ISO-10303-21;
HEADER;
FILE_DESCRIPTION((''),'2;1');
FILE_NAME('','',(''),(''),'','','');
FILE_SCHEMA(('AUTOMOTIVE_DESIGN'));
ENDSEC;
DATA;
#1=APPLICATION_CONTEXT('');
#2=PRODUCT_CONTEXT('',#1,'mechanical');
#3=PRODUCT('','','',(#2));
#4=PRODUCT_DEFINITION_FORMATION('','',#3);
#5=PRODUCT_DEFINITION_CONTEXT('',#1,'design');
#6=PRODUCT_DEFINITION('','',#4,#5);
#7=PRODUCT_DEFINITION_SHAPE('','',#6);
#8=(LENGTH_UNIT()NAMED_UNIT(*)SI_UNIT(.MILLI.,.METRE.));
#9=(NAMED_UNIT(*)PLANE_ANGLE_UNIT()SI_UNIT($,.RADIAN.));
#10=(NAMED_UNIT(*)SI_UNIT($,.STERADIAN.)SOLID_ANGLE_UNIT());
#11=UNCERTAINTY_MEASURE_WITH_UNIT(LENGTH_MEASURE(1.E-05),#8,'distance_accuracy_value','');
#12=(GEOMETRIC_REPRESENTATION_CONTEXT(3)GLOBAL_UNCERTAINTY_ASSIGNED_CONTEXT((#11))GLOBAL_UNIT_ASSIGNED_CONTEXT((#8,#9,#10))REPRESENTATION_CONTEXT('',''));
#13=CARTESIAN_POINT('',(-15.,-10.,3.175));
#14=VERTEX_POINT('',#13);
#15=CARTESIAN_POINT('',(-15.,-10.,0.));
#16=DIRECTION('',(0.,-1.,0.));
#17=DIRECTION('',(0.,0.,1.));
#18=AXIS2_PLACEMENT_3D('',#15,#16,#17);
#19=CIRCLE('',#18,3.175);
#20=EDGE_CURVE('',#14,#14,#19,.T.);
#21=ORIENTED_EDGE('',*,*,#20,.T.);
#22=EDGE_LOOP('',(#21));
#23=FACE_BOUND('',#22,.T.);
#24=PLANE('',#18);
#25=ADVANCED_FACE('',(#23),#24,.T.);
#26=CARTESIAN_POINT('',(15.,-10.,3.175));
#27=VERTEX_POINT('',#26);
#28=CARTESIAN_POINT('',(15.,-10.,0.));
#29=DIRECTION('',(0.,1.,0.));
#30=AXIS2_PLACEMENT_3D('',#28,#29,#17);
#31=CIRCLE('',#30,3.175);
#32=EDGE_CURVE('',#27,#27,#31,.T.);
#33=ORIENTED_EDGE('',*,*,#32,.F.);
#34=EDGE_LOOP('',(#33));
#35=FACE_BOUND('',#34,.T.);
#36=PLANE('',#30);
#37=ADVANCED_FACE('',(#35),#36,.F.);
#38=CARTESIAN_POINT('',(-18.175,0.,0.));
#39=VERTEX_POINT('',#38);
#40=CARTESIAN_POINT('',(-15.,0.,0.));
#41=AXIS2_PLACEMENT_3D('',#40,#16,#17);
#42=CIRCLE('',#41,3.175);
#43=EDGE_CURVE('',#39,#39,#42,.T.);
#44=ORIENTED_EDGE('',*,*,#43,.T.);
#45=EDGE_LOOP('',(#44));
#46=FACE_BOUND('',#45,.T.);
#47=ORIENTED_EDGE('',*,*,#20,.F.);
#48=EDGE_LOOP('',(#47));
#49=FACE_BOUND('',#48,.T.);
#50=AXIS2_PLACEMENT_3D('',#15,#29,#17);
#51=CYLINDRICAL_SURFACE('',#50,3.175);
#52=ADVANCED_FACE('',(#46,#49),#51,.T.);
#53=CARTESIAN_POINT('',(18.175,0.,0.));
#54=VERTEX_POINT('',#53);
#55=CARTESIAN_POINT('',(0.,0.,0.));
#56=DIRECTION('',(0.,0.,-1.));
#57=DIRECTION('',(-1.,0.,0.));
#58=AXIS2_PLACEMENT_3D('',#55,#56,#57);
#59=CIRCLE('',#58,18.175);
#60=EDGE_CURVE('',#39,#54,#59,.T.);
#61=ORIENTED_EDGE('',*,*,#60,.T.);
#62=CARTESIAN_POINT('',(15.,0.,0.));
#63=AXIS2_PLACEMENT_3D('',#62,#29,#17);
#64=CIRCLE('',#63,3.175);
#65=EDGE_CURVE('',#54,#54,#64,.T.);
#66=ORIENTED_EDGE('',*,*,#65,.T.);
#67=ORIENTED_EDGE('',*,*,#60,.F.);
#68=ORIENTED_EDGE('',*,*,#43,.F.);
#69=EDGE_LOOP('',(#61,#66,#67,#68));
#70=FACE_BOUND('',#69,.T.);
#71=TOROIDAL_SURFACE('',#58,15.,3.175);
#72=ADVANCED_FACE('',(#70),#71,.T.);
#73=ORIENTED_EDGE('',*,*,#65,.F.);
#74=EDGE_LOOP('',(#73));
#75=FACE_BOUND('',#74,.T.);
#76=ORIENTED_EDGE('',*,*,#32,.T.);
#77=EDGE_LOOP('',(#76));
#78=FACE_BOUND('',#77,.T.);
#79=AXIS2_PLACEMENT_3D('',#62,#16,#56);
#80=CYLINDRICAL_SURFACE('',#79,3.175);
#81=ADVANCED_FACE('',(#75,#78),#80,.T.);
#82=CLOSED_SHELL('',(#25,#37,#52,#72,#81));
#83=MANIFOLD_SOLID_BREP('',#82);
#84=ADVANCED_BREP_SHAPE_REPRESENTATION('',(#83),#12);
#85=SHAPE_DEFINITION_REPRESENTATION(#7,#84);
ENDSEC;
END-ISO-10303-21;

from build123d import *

# Parameters (mm, degrees)
BALAYAGE3_PROFILE_R = 3.175


with BuildPart() as part:
    # Balayage3: sweep along a path in Esquisse1
    with BuildLine(Plane.XY) as balayage3_path:
        Line((-15, -10), (-15, 0))
        ThreePointArc((-15, 0), (0, 15), (15, 0))
        Line((15, 0), (15, -10))
    # Balayage3 profile (on start of the path) → Balayage3 (sweep)
    with BuildSketch(Plane(origin=(-15, -10, 0), x_dir=(0, 0, 1), z_dir=(0, 1, 0))):
        Circle(BALAYAGE3_PROFILE_R)
    sweep(path=balayage3_path.line)


solid = part.part
